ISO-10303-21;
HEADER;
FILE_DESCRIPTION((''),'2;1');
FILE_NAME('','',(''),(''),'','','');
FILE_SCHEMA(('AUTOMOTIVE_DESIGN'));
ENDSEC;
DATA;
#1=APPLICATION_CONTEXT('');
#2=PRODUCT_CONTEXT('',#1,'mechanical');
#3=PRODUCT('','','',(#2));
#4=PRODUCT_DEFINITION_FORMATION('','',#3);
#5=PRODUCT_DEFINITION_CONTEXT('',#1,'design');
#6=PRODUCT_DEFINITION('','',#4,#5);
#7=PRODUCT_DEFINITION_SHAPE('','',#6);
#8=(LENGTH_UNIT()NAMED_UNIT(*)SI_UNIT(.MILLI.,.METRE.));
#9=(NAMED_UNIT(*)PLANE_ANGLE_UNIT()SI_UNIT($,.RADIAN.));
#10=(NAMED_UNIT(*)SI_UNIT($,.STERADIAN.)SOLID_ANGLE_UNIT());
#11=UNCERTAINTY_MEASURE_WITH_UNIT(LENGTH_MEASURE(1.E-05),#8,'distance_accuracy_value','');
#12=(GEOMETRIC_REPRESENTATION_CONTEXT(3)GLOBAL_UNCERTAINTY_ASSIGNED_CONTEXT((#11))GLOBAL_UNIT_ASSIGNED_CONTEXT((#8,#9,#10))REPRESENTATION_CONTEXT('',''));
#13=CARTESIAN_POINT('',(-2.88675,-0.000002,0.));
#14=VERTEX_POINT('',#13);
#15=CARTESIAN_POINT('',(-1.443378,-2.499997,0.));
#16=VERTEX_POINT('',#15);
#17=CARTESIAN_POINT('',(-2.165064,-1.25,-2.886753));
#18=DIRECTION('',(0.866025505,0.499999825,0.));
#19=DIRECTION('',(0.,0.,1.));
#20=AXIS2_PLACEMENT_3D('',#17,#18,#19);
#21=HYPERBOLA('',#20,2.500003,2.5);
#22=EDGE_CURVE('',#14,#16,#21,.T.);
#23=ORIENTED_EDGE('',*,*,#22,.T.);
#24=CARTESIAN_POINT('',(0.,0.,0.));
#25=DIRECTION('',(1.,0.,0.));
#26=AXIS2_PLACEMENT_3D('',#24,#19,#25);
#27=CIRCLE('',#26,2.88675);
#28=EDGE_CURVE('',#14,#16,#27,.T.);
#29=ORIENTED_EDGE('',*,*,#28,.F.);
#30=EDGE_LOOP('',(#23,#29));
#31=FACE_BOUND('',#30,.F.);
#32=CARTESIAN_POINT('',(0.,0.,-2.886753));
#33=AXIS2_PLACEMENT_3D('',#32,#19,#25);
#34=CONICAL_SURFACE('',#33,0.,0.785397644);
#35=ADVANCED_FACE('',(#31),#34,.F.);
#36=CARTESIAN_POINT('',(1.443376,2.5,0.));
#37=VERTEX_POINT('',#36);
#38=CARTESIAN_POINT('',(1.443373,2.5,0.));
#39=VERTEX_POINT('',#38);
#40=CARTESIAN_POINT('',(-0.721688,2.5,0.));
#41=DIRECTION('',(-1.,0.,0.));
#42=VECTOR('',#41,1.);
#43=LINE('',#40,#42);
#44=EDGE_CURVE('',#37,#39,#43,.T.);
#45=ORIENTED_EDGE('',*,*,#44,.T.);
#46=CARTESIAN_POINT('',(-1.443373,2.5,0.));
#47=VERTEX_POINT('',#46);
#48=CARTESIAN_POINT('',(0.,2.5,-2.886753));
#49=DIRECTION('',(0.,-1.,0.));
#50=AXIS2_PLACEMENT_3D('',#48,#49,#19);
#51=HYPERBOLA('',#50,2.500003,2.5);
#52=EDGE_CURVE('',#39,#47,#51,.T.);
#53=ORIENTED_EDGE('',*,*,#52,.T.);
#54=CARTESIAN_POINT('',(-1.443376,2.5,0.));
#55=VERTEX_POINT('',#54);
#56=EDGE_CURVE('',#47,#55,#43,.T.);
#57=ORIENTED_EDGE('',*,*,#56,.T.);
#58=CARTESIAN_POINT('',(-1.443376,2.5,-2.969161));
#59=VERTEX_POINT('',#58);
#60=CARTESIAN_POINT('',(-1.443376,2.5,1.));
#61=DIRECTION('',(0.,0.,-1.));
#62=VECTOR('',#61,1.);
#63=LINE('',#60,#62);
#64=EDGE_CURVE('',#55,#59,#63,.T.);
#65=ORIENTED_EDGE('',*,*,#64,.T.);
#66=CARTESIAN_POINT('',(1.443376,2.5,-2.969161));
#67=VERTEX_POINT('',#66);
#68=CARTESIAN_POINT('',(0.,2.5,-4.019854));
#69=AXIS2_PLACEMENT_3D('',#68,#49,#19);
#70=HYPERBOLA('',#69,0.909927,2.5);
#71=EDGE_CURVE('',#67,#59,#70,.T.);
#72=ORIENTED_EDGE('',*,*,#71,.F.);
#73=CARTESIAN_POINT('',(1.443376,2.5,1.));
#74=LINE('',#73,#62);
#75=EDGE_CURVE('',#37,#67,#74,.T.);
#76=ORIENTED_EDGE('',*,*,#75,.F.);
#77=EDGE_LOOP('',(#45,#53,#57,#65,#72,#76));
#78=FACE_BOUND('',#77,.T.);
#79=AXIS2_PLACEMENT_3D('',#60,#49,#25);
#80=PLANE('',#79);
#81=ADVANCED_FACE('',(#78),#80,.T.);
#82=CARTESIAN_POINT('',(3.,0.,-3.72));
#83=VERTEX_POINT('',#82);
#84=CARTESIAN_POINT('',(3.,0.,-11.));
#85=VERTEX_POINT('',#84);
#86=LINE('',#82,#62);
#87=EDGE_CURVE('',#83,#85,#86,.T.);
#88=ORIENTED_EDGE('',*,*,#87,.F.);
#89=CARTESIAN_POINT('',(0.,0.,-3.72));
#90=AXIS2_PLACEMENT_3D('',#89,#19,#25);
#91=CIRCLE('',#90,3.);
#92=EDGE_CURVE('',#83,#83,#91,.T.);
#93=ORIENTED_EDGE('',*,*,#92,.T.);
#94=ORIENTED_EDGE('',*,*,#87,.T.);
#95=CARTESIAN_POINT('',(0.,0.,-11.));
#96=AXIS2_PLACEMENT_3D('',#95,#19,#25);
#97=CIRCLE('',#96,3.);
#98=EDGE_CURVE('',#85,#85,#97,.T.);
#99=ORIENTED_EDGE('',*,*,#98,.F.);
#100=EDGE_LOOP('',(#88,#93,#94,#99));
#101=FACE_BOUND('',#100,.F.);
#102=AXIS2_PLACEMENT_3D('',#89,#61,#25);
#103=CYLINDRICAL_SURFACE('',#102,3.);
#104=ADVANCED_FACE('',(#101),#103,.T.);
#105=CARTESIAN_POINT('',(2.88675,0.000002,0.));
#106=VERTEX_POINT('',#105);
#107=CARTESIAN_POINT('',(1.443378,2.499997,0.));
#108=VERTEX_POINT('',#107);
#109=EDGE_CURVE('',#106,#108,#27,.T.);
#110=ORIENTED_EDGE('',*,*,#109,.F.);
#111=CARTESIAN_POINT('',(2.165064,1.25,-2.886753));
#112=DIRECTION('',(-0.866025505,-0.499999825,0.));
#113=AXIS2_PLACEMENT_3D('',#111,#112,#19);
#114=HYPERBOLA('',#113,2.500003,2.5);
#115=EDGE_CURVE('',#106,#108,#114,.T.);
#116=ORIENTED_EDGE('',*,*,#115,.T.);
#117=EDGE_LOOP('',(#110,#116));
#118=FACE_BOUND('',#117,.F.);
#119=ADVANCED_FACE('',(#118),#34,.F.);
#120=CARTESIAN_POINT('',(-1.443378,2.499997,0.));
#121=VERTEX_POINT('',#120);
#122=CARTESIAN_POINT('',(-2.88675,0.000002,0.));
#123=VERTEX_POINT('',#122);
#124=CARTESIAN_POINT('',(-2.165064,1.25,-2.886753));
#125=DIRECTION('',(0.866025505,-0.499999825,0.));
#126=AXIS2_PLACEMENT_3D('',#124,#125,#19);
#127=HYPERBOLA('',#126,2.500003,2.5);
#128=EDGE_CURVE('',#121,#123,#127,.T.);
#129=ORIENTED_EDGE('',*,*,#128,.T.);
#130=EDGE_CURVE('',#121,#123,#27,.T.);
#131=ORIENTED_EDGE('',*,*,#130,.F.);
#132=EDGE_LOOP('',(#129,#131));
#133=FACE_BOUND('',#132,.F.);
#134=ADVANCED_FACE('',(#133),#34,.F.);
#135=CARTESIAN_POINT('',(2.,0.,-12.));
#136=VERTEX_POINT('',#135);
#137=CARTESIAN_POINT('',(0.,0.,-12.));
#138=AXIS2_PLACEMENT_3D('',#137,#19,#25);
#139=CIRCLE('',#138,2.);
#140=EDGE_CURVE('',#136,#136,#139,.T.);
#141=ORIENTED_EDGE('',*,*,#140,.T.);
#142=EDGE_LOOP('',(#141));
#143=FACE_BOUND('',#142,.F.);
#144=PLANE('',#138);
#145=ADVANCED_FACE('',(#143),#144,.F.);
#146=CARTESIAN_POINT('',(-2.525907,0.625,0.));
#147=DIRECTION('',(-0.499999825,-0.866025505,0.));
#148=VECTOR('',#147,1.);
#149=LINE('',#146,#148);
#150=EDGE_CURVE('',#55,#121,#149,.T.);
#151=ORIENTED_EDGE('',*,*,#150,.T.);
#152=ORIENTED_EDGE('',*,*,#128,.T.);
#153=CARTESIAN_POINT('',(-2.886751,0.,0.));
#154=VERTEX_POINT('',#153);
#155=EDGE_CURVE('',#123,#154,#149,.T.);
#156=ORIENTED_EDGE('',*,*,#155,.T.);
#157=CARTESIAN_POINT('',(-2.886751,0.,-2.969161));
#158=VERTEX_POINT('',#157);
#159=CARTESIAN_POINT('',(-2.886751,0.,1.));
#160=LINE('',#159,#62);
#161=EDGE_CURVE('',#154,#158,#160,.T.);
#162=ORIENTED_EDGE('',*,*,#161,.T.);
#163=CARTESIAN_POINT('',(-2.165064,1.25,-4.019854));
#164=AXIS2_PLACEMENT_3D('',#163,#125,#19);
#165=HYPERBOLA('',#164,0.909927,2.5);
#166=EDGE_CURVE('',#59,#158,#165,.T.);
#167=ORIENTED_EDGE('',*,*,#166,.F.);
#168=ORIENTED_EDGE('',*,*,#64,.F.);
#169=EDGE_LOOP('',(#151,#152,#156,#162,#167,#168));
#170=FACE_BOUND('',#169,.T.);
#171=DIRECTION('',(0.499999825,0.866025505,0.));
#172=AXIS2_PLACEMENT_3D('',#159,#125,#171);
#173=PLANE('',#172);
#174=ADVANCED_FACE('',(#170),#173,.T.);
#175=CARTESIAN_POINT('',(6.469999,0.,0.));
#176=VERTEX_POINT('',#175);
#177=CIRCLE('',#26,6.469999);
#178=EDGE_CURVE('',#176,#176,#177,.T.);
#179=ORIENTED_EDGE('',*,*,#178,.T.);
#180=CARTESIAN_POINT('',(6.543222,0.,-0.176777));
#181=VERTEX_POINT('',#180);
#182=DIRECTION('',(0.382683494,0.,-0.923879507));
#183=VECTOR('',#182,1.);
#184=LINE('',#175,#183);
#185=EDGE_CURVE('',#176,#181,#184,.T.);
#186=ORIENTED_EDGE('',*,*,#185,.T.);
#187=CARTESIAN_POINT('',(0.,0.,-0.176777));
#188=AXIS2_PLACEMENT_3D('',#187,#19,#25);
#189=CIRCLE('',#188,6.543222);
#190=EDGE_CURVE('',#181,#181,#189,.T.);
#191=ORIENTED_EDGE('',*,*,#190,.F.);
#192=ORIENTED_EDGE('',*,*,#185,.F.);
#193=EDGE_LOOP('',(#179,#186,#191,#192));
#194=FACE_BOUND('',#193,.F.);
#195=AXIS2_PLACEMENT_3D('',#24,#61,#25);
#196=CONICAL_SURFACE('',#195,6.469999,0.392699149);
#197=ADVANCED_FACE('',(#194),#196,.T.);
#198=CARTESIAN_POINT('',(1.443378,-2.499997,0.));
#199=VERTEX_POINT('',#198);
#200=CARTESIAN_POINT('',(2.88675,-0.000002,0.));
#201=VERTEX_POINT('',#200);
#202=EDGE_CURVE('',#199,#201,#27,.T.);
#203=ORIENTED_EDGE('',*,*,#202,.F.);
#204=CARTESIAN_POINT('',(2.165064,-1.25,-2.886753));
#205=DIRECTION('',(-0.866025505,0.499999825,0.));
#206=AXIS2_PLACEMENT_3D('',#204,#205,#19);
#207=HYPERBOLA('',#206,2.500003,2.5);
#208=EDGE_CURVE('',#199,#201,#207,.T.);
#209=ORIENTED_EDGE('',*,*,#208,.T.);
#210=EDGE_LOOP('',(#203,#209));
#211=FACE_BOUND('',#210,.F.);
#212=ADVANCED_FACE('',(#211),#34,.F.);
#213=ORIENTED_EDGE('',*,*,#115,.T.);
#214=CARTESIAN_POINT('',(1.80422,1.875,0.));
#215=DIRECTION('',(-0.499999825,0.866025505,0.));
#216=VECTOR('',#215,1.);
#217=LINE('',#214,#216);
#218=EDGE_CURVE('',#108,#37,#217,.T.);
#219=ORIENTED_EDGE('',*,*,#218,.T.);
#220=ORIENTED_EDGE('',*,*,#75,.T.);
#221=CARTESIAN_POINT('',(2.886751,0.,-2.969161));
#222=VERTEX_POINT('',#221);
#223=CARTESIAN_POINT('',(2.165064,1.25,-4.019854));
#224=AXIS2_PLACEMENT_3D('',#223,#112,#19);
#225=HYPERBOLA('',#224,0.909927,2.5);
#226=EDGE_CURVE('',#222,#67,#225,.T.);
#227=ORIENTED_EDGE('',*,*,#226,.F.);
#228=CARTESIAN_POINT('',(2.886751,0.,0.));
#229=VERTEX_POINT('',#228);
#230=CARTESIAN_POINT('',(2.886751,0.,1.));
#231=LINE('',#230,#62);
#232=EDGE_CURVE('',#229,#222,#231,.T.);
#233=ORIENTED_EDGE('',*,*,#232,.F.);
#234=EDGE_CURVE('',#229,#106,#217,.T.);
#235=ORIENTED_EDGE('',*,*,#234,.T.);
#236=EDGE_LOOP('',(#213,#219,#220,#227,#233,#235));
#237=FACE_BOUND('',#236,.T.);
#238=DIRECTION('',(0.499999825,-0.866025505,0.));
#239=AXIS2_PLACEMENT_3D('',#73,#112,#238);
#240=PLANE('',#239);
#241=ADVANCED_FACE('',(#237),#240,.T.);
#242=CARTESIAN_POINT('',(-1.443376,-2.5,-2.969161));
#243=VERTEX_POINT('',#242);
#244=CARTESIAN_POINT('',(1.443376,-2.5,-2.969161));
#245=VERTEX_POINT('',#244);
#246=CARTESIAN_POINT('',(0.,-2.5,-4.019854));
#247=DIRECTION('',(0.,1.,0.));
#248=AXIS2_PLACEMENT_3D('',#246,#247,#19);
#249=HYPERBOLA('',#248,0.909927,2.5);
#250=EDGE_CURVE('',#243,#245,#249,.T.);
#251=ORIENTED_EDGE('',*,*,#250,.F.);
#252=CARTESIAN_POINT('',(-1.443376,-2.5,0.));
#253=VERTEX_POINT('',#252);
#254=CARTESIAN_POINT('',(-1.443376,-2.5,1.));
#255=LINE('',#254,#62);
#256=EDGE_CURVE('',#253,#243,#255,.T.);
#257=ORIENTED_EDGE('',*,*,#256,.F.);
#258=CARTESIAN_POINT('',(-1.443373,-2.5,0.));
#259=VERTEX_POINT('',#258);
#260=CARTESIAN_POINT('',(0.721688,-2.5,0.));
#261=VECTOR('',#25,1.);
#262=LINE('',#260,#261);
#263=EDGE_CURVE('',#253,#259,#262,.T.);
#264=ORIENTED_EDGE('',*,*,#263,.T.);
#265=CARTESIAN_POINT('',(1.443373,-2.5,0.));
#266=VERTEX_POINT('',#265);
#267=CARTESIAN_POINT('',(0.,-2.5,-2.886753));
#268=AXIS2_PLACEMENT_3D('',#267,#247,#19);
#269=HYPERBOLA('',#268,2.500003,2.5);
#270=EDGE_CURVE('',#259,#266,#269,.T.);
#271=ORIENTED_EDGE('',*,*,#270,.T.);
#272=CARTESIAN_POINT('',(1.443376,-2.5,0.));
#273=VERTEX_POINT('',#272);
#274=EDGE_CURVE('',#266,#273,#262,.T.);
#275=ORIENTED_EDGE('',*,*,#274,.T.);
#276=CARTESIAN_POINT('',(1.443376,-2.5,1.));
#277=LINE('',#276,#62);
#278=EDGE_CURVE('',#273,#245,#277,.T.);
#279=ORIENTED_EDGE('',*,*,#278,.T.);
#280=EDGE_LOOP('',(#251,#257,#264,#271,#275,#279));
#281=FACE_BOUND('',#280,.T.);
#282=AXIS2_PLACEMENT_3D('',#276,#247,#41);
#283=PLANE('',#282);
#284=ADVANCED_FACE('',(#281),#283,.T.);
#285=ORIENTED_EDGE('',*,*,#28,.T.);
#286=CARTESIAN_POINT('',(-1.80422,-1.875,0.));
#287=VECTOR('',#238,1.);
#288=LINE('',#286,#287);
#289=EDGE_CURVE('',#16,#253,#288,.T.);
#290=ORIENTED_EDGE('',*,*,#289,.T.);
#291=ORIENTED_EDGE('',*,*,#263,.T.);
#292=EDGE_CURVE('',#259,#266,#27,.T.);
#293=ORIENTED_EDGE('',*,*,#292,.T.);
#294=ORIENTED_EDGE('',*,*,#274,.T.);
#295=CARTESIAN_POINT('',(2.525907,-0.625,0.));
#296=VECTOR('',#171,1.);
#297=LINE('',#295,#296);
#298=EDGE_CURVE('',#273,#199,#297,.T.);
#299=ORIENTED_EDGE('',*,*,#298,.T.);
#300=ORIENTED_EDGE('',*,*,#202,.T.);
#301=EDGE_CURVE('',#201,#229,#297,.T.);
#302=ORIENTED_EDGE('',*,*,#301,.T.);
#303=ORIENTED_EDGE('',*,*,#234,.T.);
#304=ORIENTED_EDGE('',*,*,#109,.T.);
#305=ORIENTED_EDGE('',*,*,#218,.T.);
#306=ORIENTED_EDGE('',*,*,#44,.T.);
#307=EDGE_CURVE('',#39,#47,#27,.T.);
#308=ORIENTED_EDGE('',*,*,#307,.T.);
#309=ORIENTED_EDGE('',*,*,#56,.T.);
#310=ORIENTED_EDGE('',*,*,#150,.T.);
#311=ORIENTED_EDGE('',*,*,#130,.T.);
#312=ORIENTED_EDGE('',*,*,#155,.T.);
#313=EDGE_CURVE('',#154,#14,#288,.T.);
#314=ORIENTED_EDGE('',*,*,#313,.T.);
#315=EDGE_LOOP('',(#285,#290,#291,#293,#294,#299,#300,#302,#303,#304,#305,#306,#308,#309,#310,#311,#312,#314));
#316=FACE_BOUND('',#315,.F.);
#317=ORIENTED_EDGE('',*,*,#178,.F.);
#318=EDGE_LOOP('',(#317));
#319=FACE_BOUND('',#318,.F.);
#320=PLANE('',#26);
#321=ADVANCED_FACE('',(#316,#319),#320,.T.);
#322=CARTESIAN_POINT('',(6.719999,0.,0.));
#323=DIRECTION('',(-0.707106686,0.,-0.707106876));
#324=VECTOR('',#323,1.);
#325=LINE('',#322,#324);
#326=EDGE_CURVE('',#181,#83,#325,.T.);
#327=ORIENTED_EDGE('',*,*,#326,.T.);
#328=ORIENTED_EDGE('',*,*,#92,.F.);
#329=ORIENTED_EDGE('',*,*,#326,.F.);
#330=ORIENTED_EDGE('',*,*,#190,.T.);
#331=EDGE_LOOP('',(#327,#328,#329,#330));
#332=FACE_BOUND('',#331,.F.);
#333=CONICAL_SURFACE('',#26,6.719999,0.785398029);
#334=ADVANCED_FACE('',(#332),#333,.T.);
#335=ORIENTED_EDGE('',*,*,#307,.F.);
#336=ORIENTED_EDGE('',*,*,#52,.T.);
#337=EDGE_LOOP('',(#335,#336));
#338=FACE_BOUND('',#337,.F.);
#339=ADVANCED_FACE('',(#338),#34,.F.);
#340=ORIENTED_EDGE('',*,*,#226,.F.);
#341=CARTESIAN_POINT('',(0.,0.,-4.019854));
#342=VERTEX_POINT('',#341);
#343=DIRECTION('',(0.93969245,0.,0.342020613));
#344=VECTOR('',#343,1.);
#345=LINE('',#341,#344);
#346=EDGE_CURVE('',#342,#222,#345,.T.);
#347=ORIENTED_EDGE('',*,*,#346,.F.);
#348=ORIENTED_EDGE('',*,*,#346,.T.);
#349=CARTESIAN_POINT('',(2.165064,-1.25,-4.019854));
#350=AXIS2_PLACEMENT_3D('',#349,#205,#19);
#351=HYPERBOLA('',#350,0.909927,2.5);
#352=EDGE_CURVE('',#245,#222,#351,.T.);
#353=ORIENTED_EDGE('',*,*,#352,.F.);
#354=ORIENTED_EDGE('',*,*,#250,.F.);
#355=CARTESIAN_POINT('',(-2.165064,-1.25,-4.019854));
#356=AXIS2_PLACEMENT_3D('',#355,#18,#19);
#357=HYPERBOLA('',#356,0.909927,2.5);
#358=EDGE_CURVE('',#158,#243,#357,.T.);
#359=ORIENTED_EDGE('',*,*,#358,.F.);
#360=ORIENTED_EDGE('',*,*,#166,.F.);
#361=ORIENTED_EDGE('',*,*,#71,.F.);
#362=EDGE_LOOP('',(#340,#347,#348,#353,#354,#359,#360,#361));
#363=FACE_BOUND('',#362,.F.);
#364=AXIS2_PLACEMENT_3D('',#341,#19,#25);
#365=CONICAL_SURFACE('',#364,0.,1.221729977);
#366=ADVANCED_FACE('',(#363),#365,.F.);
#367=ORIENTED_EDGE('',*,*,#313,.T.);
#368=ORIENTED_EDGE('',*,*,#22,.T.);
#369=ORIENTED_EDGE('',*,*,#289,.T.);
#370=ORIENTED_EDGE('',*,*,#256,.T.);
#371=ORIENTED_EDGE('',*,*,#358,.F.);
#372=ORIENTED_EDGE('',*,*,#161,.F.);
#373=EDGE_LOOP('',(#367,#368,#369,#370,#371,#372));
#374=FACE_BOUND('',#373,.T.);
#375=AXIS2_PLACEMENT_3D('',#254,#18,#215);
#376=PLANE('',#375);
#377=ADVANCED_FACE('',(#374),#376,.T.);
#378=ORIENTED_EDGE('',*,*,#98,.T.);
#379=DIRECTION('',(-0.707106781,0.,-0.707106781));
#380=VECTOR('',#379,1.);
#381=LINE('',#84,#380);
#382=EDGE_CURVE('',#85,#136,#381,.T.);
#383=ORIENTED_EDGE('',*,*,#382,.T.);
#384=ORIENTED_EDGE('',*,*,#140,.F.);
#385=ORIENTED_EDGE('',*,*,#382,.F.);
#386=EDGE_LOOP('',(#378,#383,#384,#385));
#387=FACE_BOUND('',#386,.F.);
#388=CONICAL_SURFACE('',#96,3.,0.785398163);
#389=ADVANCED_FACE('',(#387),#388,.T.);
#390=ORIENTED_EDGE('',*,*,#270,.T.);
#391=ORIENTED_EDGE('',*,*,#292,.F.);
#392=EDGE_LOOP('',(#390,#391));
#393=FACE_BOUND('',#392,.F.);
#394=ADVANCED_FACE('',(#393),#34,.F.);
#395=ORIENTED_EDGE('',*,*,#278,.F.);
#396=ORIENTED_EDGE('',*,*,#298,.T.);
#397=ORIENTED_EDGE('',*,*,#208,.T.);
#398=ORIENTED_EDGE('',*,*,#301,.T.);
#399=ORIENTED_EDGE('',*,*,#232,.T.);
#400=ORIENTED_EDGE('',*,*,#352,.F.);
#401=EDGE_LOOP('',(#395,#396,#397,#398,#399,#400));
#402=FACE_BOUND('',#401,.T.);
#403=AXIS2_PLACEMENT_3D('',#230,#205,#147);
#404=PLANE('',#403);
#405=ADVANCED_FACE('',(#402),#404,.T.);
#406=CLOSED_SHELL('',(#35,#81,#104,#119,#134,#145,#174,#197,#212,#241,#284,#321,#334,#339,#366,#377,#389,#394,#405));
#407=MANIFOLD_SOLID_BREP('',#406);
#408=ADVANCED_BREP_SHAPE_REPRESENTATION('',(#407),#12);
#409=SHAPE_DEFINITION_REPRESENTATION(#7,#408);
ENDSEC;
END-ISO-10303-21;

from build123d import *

# Parameters (mm, degrees)
SKETCH001_R     = 6
POCKET_DEPTH    = 5.020854
CHAMFER_SIZE    = 0.25
CHAMFER001_SIZE = 1


with BuildPart() as pocket:
    # Sketch003 → Revolution001 (revolve)
    with BuildSketch(Plane.XZ):
        Polygon((0, -4.019854), (5, -2.2), (5, 1), (0, 1), align=None)
    revolve(axis=Axis((0, 0, 0), (0, 0, 1)))

    # Sketch001 → Pocket (cut, through all)
    with BuildSketch(Plane(origin=(0, 0, 1), x_dir=(-1, 0, 0), z_dir=(0, 0, 1))):
        Circle(SKETCH001_R)
        Polygon((-1.443376, 2.5), (1.443376, 2.5), (2.886751, 0), (1.443376, -2.5), (-1.443376, -2.5), (-2.886751, 0), align=None, mode=Mode.SUBTRACT)
    extrude(amount=-POCKET_DEPTH, mode=Mode.SUBTRACT)


with BuildPart() as chamfer001:
    # Sketch → Revolution (revolve)
    with BuildSketch(Plane.XZ):
        Polygon((2.88675, 0), (6.719999, 0), (3, -3.72), (3, -12), (0, -12), (0, -2.886753), align=None)
    revolve(axis=Axis((0, 0, 0), (0, 0, 1)))

    # Cut: cut Pocket
    add(pocket.part, mode=Mode.SUBTRACT)

    # Chamfer
    chamfer_edges = [chamfer001.edges().sort_by_distance(p)[0] for p in [
        (-6.719999, 0, 0),
    ]]
    chamfer(chamfer_edges, length=CHAMFER_SIZE)

    # Chamfer001
    chamfer001_edges = [chamfer001.edges().sort_by_distance(p)[0] for p in [
        (-3, 0, -12),
    ]]
    chamfer(chamfer001_edges, length=CHAMFER001_SIZE)


solid = chamfer001.part
